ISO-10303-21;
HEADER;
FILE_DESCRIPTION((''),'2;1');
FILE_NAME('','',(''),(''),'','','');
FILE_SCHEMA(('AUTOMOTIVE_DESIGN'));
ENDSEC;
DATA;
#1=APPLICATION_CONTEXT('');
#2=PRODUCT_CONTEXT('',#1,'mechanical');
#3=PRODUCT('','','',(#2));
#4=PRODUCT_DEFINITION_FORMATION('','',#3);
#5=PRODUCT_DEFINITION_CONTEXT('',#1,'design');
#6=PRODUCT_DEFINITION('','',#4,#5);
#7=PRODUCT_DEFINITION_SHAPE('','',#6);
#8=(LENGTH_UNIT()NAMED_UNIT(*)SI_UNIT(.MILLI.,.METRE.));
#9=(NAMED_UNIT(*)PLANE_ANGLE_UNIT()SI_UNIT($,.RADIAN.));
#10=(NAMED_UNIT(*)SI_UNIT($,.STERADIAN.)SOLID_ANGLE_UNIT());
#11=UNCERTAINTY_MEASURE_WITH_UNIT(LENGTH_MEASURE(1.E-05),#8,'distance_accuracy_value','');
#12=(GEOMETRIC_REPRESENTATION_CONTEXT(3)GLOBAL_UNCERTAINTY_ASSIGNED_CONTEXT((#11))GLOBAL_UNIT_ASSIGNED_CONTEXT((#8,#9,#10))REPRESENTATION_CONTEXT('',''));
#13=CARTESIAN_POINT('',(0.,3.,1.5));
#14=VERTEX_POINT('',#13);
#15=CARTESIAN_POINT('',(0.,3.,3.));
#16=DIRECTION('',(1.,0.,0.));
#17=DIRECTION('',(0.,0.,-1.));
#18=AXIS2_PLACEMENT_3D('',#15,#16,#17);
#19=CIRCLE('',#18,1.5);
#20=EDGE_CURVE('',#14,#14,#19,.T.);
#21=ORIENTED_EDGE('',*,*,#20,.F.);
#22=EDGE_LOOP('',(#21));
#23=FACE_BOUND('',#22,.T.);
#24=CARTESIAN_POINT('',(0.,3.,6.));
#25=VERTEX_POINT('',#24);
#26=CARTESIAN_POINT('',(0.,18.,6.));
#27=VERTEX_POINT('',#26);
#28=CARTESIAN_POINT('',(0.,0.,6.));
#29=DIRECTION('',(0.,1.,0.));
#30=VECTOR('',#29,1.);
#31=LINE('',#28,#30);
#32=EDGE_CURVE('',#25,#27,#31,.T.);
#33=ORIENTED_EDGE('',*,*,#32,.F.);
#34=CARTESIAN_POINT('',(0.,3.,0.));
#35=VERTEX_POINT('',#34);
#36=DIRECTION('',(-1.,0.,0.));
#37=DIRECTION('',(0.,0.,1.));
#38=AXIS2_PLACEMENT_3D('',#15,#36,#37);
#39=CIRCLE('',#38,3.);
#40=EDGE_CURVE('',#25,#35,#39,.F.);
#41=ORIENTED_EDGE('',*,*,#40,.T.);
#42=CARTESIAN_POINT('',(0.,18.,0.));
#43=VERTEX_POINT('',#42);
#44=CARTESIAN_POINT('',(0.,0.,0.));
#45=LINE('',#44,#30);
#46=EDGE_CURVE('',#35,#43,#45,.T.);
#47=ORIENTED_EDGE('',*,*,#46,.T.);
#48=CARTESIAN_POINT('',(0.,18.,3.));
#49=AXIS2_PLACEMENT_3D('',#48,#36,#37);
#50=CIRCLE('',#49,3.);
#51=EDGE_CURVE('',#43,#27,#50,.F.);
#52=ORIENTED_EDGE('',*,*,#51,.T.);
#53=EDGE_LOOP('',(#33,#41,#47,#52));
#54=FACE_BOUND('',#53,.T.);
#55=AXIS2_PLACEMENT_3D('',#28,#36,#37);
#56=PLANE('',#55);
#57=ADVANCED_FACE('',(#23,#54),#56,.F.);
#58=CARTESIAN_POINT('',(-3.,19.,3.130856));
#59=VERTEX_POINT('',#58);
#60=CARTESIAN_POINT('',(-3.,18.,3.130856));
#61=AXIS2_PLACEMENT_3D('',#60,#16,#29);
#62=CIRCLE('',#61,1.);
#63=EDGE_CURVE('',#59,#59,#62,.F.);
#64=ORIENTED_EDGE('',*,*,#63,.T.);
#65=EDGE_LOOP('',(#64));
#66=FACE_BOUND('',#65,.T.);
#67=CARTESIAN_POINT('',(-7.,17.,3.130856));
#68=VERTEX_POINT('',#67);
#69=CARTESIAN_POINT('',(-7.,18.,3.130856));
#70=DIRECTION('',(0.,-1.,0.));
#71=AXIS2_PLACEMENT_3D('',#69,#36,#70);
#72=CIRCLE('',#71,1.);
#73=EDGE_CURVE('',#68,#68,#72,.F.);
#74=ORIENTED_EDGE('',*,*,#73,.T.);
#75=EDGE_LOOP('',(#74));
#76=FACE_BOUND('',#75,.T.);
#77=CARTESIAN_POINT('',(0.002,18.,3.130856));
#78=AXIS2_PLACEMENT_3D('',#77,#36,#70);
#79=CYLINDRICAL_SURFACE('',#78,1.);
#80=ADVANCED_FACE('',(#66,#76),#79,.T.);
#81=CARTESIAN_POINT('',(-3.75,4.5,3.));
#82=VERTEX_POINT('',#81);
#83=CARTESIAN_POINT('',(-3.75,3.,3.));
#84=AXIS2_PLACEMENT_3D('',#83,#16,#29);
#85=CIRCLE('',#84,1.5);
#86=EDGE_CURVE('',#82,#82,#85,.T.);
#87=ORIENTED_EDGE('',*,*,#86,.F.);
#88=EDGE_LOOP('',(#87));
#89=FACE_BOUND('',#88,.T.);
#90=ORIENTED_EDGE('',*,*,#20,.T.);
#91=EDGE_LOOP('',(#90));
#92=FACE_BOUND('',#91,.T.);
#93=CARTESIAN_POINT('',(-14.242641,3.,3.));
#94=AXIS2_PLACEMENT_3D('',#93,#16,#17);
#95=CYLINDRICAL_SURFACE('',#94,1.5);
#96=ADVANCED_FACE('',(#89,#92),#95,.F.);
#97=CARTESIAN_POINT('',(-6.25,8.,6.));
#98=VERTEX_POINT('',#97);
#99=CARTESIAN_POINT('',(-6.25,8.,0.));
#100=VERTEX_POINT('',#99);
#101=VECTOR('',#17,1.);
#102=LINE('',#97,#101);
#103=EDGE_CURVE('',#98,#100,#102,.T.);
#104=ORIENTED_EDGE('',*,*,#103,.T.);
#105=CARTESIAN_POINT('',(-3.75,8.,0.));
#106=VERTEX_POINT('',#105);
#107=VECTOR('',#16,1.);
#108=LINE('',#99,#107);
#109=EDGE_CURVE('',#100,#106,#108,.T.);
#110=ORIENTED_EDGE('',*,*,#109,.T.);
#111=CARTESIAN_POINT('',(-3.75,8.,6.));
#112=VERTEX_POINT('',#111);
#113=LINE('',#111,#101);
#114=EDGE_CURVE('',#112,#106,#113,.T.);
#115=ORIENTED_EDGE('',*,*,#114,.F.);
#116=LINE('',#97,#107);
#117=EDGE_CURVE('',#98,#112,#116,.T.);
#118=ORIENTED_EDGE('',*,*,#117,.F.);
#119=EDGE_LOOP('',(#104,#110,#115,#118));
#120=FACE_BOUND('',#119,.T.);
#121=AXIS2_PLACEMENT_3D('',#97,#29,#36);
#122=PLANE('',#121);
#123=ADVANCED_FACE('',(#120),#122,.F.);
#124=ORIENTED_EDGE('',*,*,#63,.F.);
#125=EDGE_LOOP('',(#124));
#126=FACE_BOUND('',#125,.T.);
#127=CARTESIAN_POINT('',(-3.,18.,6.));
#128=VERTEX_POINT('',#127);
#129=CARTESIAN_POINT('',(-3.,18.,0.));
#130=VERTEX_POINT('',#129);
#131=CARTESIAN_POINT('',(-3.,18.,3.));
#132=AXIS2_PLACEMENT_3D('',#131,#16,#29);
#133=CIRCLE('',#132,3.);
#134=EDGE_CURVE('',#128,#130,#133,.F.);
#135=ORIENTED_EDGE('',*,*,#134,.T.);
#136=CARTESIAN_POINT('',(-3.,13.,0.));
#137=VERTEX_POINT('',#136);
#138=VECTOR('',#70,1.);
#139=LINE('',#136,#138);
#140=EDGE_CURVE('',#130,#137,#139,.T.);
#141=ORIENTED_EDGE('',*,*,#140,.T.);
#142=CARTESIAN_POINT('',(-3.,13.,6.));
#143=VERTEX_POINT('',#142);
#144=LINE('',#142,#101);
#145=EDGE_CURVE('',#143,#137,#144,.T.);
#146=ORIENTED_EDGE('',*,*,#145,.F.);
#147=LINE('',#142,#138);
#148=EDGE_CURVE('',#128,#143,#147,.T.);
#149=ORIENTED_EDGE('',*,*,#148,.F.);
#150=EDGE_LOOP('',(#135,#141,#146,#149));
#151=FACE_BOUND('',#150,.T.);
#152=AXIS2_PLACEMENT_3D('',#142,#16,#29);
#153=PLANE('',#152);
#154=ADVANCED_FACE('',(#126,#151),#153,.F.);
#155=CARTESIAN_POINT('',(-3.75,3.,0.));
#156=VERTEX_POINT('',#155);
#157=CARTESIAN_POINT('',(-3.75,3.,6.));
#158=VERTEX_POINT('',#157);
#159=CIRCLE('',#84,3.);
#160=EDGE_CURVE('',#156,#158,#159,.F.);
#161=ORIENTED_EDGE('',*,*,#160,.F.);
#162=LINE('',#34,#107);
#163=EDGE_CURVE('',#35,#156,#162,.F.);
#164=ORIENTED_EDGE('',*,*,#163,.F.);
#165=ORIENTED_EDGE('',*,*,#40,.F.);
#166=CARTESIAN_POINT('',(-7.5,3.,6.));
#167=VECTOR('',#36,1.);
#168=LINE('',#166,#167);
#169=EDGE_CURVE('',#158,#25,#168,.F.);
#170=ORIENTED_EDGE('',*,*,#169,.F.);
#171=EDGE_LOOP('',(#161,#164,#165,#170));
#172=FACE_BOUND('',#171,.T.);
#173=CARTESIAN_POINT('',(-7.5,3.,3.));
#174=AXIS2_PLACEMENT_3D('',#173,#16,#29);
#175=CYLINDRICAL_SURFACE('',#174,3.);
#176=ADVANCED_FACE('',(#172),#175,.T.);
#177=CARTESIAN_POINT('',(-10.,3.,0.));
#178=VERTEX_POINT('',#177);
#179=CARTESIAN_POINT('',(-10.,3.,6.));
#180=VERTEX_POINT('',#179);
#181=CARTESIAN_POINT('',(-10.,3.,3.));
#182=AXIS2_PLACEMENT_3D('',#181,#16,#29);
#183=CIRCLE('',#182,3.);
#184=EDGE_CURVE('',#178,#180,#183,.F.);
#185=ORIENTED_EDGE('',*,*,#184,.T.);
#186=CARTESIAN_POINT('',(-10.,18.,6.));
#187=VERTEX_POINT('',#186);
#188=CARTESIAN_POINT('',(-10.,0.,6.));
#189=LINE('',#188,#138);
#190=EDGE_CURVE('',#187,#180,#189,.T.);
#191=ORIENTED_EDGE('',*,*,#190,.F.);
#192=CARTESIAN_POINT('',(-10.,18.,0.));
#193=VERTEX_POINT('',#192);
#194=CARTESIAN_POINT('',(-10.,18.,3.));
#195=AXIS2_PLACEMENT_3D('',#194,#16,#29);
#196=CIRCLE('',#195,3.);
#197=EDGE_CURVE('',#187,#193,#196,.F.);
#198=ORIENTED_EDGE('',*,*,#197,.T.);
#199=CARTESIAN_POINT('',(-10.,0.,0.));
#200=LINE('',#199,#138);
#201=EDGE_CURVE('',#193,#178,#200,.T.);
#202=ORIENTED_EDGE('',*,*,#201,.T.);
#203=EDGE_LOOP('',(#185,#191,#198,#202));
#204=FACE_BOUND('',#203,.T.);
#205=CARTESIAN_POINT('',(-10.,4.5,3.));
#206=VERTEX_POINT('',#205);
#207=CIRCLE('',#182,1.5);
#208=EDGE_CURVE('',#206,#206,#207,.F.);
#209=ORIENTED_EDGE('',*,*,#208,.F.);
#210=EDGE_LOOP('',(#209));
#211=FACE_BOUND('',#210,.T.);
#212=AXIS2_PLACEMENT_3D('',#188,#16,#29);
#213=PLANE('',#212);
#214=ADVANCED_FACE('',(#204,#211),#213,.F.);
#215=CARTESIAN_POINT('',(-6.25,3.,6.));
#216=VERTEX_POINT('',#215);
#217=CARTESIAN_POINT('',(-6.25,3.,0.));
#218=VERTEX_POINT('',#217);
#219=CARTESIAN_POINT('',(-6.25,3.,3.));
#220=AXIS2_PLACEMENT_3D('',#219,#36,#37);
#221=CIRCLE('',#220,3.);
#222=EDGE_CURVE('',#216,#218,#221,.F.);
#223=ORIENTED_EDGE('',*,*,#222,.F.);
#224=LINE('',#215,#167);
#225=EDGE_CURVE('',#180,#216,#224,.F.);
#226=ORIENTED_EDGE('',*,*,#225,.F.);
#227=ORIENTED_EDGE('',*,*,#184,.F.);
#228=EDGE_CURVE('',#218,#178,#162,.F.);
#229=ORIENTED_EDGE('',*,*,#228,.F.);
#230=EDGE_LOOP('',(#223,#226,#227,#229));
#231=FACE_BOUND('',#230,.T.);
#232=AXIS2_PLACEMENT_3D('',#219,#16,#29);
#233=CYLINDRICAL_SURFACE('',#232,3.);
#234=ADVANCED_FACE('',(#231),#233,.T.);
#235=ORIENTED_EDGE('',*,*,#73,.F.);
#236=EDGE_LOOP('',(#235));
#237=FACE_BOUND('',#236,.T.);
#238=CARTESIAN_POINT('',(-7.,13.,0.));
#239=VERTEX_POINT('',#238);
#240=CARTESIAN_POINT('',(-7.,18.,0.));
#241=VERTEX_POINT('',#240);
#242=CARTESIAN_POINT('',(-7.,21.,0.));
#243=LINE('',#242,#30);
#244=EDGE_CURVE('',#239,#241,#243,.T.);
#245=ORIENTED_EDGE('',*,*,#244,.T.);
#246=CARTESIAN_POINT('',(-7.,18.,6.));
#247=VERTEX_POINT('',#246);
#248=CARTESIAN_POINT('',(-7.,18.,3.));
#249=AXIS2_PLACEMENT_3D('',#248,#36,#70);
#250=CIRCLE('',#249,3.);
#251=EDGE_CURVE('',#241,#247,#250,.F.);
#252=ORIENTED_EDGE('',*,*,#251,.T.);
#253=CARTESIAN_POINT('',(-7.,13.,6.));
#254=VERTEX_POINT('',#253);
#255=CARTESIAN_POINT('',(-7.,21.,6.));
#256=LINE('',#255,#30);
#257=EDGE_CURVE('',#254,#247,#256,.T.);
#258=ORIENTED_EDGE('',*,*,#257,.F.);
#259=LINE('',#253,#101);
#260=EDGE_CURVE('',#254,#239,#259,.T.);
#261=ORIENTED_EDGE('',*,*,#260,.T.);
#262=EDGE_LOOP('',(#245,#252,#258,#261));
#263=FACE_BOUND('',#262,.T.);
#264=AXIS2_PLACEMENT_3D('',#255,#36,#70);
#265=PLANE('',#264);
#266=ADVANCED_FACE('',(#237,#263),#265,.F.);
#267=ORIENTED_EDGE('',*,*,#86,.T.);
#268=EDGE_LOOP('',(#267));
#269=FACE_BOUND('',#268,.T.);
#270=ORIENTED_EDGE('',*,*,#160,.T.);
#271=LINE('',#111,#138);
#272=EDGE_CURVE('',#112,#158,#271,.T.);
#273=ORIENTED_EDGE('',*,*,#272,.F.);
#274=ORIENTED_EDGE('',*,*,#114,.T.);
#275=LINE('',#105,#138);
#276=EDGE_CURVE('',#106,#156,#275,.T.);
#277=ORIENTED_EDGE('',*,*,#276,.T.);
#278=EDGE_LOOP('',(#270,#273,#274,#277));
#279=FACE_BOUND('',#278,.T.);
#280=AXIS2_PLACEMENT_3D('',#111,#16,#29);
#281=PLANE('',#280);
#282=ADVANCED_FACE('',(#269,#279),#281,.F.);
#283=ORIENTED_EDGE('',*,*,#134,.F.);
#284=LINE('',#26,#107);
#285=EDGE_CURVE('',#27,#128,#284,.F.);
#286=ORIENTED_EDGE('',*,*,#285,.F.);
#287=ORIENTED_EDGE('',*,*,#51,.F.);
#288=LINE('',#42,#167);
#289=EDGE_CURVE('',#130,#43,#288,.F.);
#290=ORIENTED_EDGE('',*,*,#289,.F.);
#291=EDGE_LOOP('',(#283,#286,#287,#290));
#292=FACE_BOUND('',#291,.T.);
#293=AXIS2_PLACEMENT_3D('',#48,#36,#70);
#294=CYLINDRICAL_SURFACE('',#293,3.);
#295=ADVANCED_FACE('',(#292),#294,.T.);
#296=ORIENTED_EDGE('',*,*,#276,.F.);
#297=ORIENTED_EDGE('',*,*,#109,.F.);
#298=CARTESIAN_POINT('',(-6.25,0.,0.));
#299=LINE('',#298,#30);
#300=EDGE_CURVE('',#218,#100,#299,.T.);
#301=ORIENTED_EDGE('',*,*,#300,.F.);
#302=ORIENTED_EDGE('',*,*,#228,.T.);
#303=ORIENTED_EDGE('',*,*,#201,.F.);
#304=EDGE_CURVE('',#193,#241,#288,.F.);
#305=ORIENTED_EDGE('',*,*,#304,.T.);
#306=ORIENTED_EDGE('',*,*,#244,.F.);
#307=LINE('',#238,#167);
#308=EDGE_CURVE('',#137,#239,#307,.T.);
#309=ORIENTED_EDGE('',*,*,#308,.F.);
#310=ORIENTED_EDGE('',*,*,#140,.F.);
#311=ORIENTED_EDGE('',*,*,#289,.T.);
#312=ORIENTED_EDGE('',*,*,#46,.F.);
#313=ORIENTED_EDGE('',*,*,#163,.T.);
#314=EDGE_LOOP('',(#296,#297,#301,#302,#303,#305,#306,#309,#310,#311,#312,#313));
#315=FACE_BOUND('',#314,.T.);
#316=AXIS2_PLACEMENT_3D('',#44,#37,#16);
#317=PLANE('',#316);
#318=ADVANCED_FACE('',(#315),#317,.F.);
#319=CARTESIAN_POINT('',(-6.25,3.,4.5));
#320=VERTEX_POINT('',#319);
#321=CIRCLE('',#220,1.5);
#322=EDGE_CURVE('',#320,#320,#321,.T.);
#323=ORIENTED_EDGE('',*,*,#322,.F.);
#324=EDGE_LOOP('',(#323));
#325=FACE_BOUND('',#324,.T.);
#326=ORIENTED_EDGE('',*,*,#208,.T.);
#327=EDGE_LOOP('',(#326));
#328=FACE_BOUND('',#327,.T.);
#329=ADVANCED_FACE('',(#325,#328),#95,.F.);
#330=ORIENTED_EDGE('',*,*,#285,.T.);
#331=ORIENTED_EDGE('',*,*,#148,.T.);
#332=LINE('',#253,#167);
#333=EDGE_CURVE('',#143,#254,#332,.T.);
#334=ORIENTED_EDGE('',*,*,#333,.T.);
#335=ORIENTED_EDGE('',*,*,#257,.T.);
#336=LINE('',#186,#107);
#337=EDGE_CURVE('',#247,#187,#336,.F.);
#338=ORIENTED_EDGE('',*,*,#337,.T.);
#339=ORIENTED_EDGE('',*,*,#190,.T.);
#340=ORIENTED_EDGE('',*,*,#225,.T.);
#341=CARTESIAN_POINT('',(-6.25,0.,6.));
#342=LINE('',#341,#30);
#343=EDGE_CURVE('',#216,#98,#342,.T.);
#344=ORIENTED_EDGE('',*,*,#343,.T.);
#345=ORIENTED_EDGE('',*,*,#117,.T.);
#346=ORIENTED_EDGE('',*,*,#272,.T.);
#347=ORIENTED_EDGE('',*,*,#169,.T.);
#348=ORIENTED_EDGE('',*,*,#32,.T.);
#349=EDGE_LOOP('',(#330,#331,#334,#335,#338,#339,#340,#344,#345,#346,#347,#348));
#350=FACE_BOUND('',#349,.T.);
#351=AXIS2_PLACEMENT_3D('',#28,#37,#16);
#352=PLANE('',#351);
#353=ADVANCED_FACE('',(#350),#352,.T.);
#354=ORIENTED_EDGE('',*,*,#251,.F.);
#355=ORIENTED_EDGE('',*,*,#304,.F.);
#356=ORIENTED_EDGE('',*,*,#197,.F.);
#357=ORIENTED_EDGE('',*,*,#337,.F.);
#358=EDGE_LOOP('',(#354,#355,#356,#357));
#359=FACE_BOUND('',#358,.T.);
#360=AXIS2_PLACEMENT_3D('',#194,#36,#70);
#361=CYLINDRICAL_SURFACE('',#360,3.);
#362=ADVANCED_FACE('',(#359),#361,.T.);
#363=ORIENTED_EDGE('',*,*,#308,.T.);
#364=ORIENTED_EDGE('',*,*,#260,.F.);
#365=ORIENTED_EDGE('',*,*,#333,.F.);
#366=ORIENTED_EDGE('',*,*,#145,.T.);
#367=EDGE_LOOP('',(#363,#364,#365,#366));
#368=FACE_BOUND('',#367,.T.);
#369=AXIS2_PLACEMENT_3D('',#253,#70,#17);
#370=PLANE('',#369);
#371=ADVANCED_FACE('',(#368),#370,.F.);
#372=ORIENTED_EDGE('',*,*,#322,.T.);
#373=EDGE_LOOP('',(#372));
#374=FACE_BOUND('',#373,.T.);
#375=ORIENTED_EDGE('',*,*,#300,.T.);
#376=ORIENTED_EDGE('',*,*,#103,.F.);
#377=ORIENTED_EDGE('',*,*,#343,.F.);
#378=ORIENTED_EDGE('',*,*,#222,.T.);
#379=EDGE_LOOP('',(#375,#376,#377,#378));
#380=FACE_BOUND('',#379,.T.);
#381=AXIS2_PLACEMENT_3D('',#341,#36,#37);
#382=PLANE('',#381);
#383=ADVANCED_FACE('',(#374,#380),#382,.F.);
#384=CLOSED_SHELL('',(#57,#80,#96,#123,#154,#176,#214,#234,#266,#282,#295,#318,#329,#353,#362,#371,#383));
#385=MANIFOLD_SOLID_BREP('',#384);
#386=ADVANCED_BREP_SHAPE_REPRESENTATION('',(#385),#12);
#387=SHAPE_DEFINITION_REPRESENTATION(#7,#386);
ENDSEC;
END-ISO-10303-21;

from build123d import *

# Parameters (mm, degrees)
SALIENTE_EXTRUIR1_DEPTH = 6
REDONDEO1_RADIUS        = 3
REDONDEO1_LENGTH        = 3.75
REDONDEO2_RADIUS        = 3
REDONDEO2_LENGTH        = 3
REDONDEO3_RADIUS        = 3
REDONDEO3_LENGTH        = 3
REDONDEO4_RADIUS        = 3
REDONDEO4_LENGTH        = 3.75
CORTAR_EXTRUIR1_REACH   = 26.021
CROQUIS2_R              = 1.5
SALIENTE_EXTRUIR3_REACH = 24.935
CROQUIS4_R              = 1


with BuildPart() as part:
    # Croquis1 → Saliente-Extruir1 (new body)
    with BuildSketch(Plane.XY):
        Polygon((-7, 21), (-7, 13), (-3, 13), (-3, 21), (0, 21), (0, 0), (-3.75, 0), (-3.75, 8), (-6.25, 8), (-6.25, 0), (-10, 0), (-10, 21), align=None)
    extrude(amount=SALIENTE_EXTRUIR1_DEPTH)

    # Redondeo1: full round fillet: the end face becomes a half cylinder, R = half its width
    redondeo1_face = Plane((-1.875, 0, 3), x_dir=(1, 0, 0), z_dir=(0, -1, 0))  # on the end face: x along it, z out of the body
    redondeo1_slab = redondeo1_face.offset(-REDONDEO1_RADIUS / 2) * Box(REDONDEO1_LENGTH, 2 * REDONDEO1_RADIUS, REDONDEO1_RADIUS, mode=Mode.PRIVATE)  # the body's end, R deep
    redondeo1_round = Plane((-1.875, 3, 3), x_dir=(0, -1, 0), z_dir=(1, 0, 0)) * Cylinder(REDONDEO1_RADIUS, REDONDEO1_LENGTH, mode=Mode.PRIVATE)  # its axis R under the face
    add(redondeo1_slab - redondeo1_round, mode=Mode.SUBTRACT)

    # Redondeo2: full round fillet: the end face becomes a half cylinder, R = half its width
    redondeo2_face = Plane((-1.5, 21, 3), x_dir=(-1, 0, 0), z_dir=(0, 1, 0))  # on the end face: x along it, z out of the body
    redondeo2_slab = redondeo2_face.offset(-REDONDEO2_RADIUS / 2) * Box(REDONDEO2_LENGTH, 2 * REDONDEO2_RADIUS, REDONDEO2_RADIUS, mode=Mode.PRIVATE)  # the body's end, R deep
    redondeo2_round = Plane((-1.5, 18, 3), x_dir=(0, 1, 0), z_dir=(-1, 0, 0)) * Cylinder(REDONDEO2_RADIUS, REDONDEO2_LENGTH, mode=Mode.PRIVATE)  # its axis R under the face
    add(redondeo2_slab - redondeo2_round, mode=Mode.SUBTRACT)

    # Redondeo3: full round fillet: the end face becomes a half cylinder, R = half its width
    redondeo3_face = Plane((-8.5, 21, 3), x_dir=(-1, 0, 0), z_dir=(0, 1, 0))  # on the end face: x along it, z out of the body
    redondeo3_slab = redondeo3_face.offset(-REDONDEO3_RADIUS / 2) * Box(REDONDEO3_LENGTH, 2 * REDONDEO3_RADIUS, REDONDEO3_RADIUS, mode=Mode.PRIVATE)  # the body's end, R deep
    redondeo3_round = Plane((-8.5, 18, 3), x_dir=(0, 1, 0), z_dir=(-1, 0, 0)) * Cylinder(REDONDEO3_RADIUS, REDONDEO3_LENGTH, mode=Mode.PRIVATE)  # its axis R under the face
    add(redondeo3_slab - redondeo3_round, mode=Mode.SUBTRACT)

    # Redondeo4: full round fillet: the end face becomes a half cylinder, R = half its width
    redondeo4_face = Plane((-8.125, 0, 3), x_dir=(1, 0, 0), z_dir=(0, -1, 0))  # on the end face: x along it, z out of the body
    redondeo4_slab = redondeo4_face.offset(-REDONDEO4_RADIUS / 2) * Box(REDONDEO4_LENGTH, 2 * REDONDEO4_RADIUS, REDONDEO4_RADIUS, mode=Mode.PRIVATE)  # the body's end, R deep
    redondeo4_round = Plane((-8.125, 3, 3), x_dir=(0, -1, 0), z_dir=(1, 0, 0)) * Cylinder(REDONDEO4_RADIUS, REDONDEO4_LENGTH, mode=Mode.PRIVATE)  # its axis R under the face
    add(redondeo4_slab - redondeo4_round, mode=Mode.SUBTRACT)

    # Cortar-Extruir1: up to this face of the body (flat: up to its plane)
    cortar_extruir1_end = Plane(part.part.faces().sort_by_distance((-10, 10.5, 3))[0])
    # Croquis2 → Cortar-Extruir1 (cut, up to the picked face)
    with BuildSketch(Plane(origin=(0, 0, 0), x_dir=(0, 0, -1), z_dir=(1, 0, 0)), mode=Mode.PRIVATE) as cortar_extruir1_sk1:
        with Locations((-3, 3)):
            Circle(CROQUIS2_R)
    cortar_extruir1_tool1 = split(extrude(cortar_extruir1_sk1.sketch, amount=-CORTAR_EXTRUIR1_REACH, mode=Mode.PRIVATE), bisect_by=cortar_extruir1_end, keep=Keep.BOTH, mode=Mode.PRIVATE)
    add(cortar_extruir1_tool1.solids().sort_by(Axis((0, 3, 3), (-1, 0, 0)))[0], mode=Mode.SUBTRACT)

    # Croquis4 → Saliente-Extruir3 (add, up to next)
    with BuildSketch(Plane(origin=(-7, 0, 0), x_dir=(0, 0, -1), z_dir=(1, 0, 0)), mode=Mode.PRIVATE) as saliente_extruir3_sk1:
        with Locations(Location((-3.130856321, 18, 0), (0, 0, 270))):
            Circle(CROQUIS4_R)
    saliente_extruir3_tool1 = extrude(saliente_extruir3_sk1.sketch, amount=SALIENTE_EXTRUIR3_REACH, mode=Mode.PRIVATE) - part.part
    add(saliente_extruir3_tool1.solids().sort_by_distance((-7, 18, 3.130856))[0])


solid = part.part
